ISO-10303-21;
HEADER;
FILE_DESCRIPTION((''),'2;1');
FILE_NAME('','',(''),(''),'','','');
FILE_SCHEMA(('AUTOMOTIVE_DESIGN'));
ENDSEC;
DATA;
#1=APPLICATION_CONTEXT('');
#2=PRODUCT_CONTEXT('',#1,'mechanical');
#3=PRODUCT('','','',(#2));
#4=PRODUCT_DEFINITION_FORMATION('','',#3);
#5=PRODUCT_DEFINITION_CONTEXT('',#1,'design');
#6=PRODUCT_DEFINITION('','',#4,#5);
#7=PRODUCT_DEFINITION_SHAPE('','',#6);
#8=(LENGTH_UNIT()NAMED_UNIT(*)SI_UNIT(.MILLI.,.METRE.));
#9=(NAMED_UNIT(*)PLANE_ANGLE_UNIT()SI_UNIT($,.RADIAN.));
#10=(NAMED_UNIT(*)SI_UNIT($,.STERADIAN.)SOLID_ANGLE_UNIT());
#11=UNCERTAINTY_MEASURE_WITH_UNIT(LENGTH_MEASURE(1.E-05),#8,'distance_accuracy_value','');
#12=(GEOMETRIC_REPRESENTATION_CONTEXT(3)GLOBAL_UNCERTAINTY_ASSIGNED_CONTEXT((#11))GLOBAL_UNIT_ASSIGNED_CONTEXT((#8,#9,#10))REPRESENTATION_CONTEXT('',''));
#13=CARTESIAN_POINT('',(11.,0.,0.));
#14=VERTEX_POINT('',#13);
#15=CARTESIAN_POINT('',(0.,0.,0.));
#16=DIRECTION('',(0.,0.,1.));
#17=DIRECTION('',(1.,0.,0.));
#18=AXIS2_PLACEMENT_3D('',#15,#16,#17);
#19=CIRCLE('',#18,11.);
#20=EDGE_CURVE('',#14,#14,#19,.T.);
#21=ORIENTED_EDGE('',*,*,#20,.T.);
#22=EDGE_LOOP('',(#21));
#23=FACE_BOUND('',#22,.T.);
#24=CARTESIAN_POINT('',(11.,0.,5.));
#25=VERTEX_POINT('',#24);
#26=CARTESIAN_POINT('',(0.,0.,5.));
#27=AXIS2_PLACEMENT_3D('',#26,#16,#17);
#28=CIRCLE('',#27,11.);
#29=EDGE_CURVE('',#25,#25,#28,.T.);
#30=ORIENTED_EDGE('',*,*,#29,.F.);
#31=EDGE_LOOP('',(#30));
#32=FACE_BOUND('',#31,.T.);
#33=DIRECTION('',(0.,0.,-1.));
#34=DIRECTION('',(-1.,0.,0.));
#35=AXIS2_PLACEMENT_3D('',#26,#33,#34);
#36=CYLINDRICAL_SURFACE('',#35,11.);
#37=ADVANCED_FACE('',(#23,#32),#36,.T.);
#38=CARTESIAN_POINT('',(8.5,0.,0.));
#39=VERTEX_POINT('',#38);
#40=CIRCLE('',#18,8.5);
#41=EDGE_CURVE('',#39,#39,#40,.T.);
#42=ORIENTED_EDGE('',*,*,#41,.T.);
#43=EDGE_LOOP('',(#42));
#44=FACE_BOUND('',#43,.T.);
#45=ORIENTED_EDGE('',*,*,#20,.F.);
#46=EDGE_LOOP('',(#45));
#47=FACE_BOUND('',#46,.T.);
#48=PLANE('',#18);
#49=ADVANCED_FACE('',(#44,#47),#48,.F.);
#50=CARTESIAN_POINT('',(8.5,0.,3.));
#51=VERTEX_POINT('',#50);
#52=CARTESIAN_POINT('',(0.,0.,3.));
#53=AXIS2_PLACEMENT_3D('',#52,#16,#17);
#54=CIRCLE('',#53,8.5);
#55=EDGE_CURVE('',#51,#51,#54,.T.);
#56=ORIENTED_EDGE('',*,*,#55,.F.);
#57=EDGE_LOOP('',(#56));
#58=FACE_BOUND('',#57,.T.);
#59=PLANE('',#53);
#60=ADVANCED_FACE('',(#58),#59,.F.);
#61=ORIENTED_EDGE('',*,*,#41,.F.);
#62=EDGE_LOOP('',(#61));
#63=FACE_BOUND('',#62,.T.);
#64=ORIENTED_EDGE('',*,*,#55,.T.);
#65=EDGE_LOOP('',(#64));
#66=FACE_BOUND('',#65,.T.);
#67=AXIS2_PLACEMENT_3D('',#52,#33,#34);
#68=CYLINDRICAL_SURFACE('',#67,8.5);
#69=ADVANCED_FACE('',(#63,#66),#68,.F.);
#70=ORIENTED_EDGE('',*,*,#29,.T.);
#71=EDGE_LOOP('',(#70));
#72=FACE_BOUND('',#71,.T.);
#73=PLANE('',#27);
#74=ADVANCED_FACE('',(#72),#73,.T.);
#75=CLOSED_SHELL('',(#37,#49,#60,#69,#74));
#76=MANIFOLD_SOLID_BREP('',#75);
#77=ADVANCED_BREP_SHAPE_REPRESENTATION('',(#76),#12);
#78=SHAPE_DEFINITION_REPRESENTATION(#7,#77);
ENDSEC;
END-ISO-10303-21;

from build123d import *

# Parameters (mm, degrees)
SKETCH1_R           = 11
BOSS_EXTRUDE1_DEPTH = 5
SKETCH1_3_R         = 8.5
CUT_EXTRUDE1_DEPTH  = 3


with BuildPart() as part:
    # Sketch1 → Boss-Extrude1 (new body)
    with BuildSketch(Plane.XY):
        Circle(SKETCH1_R)
    extrude(amount=BOSS_EXTRUDE1_DEPTH)

    # Sketch1<3> → Cut-Extrude1 (cut)
    with BuildSketch(Plane.XY):
        Circle(SKETCH1_3_R)
    extrude(amount=CUT_EXTRUDE1_DEPTH, mode=Mode.SUBTRACT)


solid = part.part
